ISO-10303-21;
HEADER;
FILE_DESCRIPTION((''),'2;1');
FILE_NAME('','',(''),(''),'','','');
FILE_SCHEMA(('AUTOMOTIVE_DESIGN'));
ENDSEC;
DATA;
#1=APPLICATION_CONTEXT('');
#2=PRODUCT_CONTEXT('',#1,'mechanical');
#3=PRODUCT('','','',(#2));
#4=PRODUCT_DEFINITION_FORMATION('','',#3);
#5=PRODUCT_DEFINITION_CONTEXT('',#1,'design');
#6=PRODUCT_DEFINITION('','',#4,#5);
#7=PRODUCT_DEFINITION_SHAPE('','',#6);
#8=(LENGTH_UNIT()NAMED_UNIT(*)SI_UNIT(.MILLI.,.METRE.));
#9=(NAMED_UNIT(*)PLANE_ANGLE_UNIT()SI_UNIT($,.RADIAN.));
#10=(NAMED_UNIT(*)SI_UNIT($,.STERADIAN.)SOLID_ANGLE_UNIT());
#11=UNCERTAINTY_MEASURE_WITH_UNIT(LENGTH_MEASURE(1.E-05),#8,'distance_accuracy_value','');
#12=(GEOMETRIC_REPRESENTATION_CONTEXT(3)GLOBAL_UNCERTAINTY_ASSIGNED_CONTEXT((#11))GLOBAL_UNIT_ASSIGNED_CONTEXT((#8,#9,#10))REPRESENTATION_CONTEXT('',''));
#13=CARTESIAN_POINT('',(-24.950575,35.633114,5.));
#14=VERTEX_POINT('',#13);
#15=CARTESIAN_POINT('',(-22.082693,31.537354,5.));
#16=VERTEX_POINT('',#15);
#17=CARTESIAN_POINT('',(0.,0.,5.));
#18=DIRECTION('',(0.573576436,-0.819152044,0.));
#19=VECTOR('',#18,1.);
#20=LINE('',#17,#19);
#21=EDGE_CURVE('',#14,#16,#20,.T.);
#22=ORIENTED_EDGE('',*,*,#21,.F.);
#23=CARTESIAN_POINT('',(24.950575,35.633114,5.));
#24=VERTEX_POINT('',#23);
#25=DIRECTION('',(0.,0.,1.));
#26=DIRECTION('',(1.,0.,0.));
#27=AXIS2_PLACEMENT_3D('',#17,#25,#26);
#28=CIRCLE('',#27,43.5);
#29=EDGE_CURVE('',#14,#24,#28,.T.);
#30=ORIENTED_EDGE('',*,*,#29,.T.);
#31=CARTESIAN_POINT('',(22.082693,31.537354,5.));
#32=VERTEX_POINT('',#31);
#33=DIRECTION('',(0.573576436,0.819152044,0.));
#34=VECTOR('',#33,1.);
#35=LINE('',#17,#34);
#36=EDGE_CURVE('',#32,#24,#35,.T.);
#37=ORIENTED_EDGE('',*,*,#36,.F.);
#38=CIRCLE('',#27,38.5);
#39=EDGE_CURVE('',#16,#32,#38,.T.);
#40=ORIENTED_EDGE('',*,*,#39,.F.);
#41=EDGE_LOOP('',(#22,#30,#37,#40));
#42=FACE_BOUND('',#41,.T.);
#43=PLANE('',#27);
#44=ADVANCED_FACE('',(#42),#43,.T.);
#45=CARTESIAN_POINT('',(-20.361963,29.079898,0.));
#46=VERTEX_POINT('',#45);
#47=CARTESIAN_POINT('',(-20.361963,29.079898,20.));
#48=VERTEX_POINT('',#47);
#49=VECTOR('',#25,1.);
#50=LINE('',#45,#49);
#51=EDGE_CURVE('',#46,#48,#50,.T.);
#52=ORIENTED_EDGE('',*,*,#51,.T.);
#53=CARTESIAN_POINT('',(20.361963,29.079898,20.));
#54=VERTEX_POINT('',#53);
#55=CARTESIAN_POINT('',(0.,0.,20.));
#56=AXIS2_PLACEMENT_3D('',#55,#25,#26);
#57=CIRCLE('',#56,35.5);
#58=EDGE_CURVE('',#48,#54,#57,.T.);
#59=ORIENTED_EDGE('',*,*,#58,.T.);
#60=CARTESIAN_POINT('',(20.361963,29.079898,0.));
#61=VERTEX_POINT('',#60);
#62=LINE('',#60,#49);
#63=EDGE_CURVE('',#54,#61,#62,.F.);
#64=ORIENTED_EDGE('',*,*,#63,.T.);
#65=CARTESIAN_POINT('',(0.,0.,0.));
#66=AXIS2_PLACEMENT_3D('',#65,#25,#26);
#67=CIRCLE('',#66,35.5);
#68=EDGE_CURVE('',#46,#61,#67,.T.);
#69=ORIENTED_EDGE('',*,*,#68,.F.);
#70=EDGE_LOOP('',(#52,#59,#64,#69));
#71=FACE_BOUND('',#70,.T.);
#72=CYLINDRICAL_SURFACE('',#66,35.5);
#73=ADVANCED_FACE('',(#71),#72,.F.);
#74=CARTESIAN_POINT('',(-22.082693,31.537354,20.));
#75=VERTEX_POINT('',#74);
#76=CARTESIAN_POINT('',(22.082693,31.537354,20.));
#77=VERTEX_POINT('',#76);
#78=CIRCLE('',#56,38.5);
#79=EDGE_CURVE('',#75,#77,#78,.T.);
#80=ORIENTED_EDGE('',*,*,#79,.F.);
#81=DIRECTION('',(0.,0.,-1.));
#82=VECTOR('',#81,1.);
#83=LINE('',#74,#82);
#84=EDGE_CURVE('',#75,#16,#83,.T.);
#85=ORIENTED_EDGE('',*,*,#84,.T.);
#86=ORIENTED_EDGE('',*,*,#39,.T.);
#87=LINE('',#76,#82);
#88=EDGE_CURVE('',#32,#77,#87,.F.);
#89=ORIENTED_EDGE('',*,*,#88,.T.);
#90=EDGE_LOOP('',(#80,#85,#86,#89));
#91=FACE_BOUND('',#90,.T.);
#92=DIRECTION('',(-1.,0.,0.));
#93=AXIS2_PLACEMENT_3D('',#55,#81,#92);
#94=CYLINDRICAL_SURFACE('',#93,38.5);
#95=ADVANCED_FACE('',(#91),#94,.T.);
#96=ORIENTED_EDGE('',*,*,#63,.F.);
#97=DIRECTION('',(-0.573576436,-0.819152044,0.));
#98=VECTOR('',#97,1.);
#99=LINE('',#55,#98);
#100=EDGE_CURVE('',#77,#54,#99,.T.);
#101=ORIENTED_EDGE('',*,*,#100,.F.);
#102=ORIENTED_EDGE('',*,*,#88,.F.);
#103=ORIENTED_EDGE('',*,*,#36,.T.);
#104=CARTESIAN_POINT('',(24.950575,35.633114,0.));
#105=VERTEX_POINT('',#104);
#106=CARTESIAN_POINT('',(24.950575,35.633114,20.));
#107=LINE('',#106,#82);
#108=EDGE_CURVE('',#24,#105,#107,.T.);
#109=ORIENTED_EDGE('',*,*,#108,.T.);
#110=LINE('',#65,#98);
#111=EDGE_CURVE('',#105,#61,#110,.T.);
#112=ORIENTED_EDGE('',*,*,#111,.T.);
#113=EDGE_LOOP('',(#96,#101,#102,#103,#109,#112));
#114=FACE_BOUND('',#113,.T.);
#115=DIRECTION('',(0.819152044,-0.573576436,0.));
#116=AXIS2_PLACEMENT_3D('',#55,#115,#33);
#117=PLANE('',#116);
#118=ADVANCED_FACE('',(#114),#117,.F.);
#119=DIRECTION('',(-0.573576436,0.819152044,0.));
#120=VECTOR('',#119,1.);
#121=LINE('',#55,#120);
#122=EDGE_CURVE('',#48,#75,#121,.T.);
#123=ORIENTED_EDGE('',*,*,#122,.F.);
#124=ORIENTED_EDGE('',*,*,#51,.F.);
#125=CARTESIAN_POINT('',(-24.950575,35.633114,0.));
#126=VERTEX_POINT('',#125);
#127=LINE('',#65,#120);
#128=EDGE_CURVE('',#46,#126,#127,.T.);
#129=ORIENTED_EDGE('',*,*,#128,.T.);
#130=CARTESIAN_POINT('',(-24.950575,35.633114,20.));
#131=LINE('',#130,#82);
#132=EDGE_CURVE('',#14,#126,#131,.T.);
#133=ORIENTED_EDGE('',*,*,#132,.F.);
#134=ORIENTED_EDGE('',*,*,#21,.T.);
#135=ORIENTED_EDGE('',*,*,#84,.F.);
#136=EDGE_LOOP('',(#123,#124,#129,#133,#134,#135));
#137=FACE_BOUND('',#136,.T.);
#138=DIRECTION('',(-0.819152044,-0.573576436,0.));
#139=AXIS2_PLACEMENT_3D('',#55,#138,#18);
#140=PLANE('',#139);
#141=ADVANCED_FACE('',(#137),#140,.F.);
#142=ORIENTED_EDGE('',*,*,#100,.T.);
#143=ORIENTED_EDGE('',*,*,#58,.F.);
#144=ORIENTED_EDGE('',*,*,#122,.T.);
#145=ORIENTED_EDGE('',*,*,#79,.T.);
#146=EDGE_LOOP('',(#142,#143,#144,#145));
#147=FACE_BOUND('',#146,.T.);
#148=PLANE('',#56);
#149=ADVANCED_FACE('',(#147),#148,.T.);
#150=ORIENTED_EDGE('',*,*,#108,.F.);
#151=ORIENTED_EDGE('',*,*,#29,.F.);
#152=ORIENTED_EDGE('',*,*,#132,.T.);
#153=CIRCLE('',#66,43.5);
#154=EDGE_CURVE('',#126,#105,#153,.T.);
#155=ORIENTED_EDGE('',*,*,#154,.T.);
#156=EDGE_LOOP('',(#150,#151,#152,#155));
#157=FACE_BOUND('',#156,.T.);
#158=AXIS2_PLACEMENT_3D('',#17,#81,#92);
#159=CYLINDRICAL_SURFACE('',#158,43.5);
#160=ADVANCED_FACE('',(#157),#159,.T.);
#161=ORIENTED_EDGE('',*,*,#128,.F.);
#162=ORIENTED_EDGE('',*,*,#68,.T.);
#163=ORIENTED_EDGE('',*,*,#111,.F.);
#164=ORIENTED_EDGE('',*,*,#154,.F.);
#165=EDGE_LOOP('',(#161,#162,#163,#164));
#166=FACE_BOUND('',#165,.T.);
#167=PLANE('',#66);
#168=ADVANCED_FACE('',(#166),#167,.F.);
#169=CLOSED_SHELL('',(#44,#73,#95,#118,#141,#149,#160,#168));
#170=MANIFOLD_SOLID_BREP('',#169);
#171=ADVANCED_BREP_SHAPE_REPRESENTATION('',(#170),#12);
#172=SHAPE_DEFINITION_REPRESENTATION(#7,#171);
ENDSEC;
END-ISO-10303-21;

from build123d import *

# Parameters (mm, degrees)
ESBO_O1_R                = 43.5
RESSALTO_EXTRUS_O1_DEPTH = 5
ESBO_O2_R                = 38.5
RESSALTO_EXTRUS_O2_DEPTH = 15
ESBO_O3_R                = 35.5
CORTE_EXTRUS_O1_DEPTH    = 21
CORTE_EXTRUS_O2_DEPTH    = 21


with BuildPart() as part:
    # Esboço1 → Ressalto-extrusão1 (new body)
    with BuildSketch(Plane.XY):
        Circle(ESBO_O1_R)
    extrude(amount=RESSALTO_EXTRUS_O1_DEPTH)

    # Esboço2 → Ressalto-extrusão2 (add)
    with BuildSketch(Plane.XY.offset(5)):
        Circle(ESBO_O2_R)
    extrude(amount=RESSALTO_EXTRUS_O2_DEPTH)

    # Esboço3 → Corte-extrusão1 (cut, through all)
    with BuildSketch(Plane.XY.offset(20)):
        Circle(ESBO_O3_R)
    extrude(amount=-CORTE_EXTRUS_O1_DEPTH, mode=Mode.SUBTRACT)

    # Esboço4 → Corte-extrusão2 (cut, through all)
    with BuildSketch(Plane(origin=(0, 0, 0), x_dir=(-1, 0, 0), z_dir=(0, 0, -1))):
        with BuildLine():
            Line((0, 0), (24.950574981, 35.633113927))
            ThreePointArc((24.950574981, 35.633113927), (0, 43.5), (-24.950574981, 35.633113927))
            Line((-24.950574981, 35.633113927), (0, 0))
        make_face()
    extrude(amount=-CORTE_EXTRUS_O2_DEPTH, mode=Mode.SUBTRACT)


solid = part.part
